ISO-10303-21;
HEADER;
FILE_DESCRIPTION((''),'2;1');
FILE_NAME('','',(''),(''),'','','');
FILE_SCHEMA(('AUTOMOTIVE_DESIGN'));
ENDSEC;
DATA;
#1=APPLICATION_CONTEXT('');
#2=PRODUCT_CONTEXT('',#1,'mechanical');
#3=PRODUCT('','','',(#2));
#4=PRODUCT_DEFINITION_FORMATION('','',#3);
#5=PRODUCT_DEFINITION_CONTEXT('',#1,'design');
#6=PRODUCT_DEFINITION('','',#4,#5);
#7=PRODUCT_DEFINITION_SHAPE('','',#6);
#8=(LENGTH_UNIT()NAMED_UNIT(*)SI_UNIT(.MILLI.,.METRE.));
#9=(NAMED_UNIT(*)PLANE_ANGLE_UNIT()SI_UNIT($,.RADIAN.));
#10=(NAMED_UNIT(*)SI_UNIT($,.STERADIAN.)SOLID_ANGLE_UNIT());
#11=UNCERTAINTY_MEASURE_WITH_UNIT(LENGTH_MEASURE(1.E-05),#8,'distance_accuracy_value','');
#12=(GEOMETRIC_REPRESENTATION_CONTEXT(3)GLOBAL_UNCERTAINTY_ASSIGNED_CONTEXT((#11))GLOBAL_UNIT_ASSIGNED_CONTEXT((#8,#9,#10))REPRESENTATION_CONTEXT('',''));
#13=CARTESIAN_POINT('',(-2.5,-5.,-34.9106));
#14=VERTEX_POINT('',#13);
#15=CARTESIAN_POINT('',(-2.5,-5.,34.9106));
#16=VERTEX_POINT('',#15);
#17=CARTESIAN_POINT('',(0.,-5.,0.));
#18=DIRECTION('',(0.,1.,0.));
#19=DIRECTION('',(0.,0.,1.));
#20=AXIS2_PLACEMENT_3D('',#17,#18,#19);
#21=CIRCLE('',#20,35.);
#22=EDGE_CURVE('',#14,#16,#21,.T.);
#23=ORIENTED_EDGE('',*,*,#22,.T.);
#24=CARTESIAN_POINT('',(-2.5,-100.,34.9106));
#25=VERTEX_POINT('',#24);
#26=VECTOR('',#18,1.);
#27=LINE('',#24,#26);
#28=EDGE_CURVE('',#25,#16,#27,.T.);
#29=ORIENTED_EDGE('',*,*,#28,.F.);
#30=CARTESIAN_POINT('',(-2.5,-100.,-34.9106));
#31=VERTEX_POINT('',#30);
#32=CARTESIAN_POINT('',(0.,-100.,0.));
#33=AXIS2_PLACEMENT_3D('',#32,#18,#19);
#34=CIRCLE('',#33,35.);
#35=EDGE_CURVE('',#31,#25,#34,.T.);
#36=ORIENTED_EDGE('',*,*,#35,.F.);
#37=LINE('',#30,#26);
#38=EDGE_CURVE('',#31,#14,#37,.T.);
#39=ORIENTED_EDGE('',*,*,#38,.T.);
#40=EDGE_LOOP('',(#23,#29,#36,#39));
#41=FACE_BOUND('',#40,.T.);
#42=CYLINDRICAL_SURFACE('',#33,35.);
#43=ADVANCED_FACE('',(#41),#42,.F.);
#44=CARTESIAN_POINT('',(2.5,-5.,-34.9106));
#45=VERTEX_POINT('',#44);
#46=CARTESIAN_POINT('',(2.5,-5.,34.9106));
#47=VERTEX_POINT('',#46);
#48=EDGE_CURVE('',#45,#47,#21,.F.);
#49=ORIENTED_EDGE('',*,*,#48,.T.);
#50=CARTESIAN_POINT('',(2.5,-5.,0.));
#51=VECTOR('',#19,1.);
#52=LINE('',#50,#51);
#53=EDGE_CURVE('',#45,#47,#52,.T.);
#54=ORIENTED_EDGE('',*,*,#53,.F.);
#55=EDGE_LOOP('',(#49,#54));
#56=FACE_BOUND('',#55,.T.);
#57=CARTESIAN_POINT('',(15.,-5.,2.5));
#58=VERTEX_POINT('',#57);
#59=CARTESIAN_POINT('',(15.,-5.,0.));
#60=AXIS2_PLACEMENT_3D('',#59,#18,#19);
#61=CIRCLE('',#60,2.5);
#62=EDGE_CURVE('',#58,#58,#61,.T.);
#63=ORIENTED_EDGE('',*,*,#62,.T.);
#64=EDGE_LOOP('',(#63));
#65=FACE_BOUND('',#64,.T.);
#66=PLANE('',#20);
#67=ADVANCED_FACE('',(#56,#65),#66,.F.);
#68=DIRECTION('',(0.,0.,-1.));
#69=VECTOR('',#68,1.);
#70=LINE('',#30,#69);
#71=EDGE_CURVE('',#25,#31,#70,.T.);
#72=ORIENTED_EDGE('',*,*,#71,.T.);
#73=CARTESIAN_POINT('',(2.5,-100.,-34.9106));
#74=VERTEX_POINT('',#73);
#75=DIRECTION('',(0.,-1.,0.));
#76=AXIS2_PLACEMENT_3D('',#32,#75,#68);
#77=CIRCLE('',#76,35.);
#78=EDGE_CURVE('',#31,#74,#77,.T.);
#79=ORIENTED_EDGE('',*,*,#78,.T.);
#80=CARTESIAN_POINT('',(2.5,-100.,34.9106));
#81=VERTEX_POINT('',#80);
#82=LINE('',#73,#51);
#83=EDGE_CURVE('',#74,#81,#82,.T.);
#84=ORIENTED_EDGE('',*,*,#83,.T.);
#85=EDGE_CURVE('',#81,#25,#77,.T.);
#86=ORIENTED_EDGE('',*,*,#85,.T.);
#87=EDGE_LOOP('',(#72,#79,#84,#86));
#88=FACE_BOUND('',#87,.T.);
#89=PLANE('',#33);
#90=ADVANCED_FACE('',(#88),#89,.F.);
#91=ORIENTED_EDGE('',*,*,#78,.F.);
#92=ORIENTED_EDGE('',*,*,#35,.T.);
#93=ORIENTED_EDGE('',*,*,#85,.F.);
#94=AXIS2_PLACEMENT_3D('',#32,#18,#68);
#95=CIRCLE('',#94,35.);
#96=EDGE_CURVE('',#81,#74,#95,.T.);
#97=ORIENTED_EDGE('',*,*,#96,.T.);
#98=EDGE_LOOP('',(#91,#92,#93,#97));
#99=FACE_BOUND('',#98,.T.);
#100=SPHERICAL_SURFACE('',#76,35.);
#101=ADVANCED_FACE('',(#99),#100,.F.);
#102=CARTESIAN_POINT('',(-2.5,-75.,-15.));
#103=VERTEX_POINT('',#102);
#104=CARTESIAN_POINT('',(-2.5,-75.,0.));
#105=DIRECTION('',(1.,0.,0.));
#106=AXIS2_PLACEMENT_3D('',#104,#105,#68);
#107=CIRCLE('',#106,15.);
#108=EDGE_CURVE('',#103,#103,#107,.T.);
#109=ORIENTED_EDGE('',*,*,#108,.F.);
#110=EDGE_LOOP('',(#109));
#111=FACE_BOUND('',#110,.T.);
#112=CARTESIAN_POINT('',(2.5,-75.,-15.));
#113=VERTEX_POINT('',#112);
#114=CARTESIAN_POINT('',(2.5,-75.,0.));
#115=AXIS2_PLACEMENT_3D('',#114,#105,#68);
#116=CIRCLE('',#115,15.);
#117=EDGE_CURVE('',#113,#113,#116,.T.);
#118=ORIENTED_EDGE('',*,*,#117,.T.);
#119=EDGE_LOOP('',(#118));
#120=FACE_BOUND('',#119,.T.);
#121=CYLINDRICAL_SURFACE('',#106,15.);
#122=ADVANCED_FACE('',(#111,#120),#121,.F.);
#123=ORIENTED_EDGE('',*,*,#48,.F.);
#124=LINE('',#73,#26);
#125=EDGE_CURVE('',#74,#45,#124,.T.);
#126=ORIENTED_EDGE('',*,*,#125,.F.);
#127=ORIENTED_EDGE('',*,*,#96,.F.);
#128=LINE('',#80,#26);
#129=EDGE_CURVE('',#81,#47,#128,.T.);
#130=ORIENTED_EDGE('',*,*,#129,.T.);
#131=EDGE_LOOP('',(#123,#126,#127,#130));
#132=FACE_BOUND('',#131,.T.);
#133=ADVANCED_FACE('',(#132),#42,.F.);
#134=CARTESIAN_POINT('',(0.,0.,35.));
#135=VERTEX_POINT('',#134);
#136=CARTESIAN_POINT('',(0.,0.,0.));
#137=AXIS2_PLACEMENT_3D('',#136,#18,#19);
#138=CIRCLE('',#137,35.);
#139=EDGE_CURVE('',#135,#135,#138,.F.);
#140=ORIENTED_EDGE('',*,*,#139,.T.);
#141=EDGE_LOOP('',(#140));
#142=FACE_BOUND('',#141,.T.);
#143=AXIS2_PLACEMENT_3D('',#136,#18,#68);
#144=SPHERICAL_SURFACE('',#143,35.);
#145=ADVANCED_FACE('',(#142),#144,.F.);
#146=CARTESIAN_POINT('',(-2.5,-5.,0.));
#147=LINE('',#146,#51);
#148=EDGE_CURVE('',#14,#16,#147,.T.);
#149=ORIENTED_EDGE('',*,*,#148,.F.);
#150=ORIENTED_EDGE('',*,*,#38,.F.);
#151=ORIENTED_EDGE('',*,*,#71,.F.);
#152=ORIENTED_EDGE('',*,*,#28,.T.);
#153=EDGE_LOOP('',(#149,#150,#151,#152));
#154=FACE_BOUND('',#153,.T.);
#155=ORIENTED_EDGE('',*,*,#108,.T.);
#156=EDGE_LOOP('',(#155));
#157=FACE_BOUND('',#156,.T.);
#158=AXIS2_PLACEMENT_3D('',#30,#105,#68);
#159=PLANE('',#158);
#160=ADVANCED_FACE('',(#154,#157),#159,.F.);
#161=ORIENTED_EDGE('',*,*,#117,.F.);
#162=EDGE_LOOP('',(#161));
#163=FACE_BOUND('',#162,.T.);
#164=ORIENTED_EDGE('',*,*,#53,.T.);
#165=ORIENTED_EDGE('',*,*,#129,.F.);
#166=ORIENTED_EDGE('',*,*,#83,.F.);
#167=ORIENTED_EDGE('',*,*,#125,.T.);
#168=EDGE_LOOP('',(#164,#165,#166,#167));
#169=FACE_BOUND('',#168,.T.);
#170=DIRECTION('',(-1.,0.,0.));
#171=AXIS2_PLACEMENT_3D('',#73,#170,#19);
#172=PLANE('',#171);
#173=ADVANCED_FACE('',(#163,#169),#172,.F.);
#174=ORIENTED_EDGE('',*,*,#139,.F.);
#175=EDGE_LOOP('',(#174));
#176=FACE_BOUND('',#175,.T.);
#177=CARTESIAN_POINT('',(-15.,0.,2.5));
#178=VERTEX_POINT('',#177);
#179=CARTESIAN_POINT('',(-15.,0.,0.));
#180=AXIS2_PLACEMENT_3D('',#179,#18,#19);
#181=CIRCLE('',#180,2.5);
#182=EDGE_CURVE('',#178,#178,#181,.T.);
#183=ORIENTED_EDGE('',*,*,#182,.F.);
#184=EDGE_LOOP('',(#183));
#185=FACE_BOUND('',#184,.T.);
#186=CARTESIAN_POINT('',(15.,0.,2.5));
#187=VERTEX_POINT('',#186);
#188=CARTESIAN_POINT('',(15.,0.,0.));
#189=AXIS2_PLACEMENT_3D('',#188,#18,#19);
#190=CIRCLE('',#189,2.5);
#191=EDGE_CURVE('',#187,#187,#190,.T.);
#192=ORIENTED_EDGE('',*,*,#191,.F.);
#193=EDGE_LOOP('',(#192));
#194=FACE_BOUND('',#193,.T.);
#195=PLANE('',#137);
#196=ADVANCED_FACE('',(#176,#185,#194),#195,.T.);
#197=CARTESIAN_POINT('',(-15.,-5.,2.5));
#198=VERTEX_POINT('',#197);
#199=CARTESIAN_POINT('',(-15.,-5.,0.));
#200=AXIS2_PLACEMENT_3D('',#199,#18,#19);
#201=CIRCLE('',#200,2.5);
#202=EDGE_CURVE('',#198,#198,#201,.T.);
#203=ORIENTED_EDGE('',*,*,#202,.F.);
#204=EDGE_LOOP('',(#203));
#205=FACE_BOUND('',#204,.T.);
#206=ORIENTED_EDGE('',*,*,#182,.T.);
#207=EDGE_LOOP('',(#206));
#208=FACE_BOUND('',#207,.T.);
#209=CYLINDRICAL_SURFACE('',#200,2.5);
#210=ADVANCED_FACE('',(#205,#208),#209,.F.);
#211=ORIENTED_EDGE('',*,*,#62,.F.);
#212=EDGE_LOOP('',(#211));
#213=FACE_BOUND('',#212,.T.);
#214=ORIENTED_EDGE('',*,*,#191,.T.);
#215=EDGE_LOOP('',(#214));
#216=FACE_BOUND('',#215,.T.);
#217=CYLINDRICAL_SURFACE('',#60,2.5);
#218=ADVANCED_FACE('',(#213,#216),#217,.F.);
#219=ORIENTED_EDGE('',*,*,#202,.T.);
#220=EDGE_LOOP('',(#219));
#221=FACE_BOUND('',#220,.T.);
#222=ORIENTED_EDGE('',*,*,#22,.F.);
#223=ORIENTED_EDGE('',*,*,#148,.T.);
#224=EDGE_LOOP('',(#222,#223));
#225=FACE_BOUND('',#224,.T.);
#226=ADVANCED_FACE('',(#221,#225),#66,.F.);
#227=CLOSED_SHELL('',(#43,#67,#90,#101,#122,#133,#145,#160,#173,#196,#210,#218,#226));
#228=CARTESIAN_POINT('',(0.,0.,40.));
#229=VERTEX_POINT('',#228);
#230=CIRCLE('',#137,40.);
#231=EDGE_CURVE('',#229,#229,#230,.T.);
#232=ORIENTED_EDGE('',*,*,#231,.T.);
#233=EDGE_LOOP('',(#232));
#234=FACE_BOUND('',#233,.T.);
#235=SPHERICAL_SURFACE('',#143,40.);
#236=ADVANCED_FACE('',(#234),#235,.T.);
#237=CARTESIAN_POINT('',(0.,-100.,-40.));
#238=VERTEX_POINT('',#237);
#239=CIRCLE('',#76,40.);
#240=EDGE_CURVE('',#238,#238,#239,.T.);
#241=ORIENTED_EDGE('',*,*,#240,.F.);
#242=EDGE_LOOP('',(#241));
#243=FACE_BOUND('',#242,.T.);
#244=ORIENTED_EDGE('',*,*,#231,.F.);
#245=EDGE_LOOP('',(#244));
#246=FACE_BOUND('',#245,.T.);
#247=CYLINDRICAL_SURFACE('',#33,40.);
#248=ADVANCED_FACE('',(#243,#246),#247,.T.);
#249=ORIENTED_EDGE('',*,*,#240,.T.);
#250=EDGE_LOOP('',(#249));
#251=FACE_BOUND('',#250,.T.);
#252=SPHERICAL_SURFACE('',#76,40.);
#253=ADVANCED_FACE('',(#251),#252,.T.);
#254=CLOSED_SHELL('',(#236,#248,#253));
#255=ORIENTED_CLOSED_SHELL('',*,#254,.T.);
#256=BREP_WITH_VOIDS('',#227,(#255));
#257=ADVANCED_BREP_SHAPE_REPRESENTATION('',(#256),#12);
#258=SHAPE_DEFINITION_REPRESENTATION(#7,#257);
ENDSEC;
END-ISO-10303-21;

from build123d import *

# Parameters (mm, degrees)
SKETCH1_R           = 40
BOSS_EXTRUDE1_DEPTH = 100
SKETCH2_R           = 15
CUT_EXTRUDE1_DEPTH  = 5
BOSS_EXTRUDE2_DEPTH = 5
SKETCH4_R           = 2.5
CUT_EXTRUDE2_DEPTH  = 5


with BuildPart() as part:
    # Sketch1 → Boss-Extrude1 (new body)
    with BuildSketch(Plane(origin=(0, 0, 0), x_dir=(1, 0, 0), z_dir=(0, 1, 0))):
        Circle(SKETCH1_R)
        with BuildLine():
            Line((-2.5, 34.910600109), (-2.5, -34.910600109))
            ThreePointArc((-2.5, -34.910600109), (-35, 0), (-2.5, 34.910600109))
        make_face(mode=Mode.SUBTRACT)
        with BuildLine():
            Line((2.5, 34.910600109), (2.5, -34.910600109))
            ThreePointArc((2.5, -34.910600109), (35, 0), (2.5, 34.910600109))
        make_face(mode=Mode.SUBTRACT)
    extrude(amount=-BOSS_EXTRUDE1_DEPTH)

    # Sketch2 → Cut-Extrude1 (cut)
    with BuildSketch(Plane(origin=(2.5, 0, 0), x_dir=(0, 0, -1), z_dir=(1, 0, 0))):
        with Locations((0, -75)):
            Circle(SKETCH2_R)
    extrude(amount=-CUT_EXTRUDE1_DEPTH, mode=Mode.SUBTRACT)

    # Sketch3 → Revolve1 (revolve)
    with BuildSketch(Plane(origin=(0, 0, 0), x_dir=(0, 0, -1), z_dir=(1, 0, 0))):
        with BuildLine():
            Line((35, -100), (40, -100))
            ThreePointArc((40, -100), (28.284271247, -128.284271247), (0, -140))
            Line((0, -140), (0, -135))
            ThreePointArc((0, -135), (24.748737342, -124.748737342), (35, -100))
        make_face()
    revolve1 = revolve(axis=Axis((0, -140, 0), (0, 1, 0)))

    # Sketch1<2> → Boss-Extrude2 (add)
    with BuildSketch(Plane(origin=(0, 0, 0), x_dir=(1, 0, 0), z_dir=(0, 1, 0))):
        with BuildLine():
            Line((-2.5, -34.910600109), (-2.5, 34.910600109))
            ThreePointArc((-2.5, 34.910600109), (-35, 0), (-2.5, -34.910600109))
        make_face()
        with BuildLine():
            ThreePointArc((2.5, -34.910600109), (35, 0), (2.5, 34.910600109))
            Line((2.5, 34.910600109), (2.5, -34.910600109))
        make_face()
    extrude(amount=-BOSS_EXTRUDE2_DEPTH)

    # Sketch4 → Cut-Extrude2 (cut)
    with BuildSketch(Plane(origin=(0, 0, 0), x_dir=(1, 0, 0), z_dir=(0, 1, 0))):
        with Locations((-15, 0)):
            Circle(SKETCH4_R)
        with Locations((15, 0)):
            Circle(SKETCH4_R)
    extrude(amount=-CUT_EXTRUDE2_DEPTH, mode=Mode.SUBTRACT)

    # Mirror1: Revolve1 across plane
    add(revolve1.mirror(Plane.ZX.offset(-50)))


solid = part.part
